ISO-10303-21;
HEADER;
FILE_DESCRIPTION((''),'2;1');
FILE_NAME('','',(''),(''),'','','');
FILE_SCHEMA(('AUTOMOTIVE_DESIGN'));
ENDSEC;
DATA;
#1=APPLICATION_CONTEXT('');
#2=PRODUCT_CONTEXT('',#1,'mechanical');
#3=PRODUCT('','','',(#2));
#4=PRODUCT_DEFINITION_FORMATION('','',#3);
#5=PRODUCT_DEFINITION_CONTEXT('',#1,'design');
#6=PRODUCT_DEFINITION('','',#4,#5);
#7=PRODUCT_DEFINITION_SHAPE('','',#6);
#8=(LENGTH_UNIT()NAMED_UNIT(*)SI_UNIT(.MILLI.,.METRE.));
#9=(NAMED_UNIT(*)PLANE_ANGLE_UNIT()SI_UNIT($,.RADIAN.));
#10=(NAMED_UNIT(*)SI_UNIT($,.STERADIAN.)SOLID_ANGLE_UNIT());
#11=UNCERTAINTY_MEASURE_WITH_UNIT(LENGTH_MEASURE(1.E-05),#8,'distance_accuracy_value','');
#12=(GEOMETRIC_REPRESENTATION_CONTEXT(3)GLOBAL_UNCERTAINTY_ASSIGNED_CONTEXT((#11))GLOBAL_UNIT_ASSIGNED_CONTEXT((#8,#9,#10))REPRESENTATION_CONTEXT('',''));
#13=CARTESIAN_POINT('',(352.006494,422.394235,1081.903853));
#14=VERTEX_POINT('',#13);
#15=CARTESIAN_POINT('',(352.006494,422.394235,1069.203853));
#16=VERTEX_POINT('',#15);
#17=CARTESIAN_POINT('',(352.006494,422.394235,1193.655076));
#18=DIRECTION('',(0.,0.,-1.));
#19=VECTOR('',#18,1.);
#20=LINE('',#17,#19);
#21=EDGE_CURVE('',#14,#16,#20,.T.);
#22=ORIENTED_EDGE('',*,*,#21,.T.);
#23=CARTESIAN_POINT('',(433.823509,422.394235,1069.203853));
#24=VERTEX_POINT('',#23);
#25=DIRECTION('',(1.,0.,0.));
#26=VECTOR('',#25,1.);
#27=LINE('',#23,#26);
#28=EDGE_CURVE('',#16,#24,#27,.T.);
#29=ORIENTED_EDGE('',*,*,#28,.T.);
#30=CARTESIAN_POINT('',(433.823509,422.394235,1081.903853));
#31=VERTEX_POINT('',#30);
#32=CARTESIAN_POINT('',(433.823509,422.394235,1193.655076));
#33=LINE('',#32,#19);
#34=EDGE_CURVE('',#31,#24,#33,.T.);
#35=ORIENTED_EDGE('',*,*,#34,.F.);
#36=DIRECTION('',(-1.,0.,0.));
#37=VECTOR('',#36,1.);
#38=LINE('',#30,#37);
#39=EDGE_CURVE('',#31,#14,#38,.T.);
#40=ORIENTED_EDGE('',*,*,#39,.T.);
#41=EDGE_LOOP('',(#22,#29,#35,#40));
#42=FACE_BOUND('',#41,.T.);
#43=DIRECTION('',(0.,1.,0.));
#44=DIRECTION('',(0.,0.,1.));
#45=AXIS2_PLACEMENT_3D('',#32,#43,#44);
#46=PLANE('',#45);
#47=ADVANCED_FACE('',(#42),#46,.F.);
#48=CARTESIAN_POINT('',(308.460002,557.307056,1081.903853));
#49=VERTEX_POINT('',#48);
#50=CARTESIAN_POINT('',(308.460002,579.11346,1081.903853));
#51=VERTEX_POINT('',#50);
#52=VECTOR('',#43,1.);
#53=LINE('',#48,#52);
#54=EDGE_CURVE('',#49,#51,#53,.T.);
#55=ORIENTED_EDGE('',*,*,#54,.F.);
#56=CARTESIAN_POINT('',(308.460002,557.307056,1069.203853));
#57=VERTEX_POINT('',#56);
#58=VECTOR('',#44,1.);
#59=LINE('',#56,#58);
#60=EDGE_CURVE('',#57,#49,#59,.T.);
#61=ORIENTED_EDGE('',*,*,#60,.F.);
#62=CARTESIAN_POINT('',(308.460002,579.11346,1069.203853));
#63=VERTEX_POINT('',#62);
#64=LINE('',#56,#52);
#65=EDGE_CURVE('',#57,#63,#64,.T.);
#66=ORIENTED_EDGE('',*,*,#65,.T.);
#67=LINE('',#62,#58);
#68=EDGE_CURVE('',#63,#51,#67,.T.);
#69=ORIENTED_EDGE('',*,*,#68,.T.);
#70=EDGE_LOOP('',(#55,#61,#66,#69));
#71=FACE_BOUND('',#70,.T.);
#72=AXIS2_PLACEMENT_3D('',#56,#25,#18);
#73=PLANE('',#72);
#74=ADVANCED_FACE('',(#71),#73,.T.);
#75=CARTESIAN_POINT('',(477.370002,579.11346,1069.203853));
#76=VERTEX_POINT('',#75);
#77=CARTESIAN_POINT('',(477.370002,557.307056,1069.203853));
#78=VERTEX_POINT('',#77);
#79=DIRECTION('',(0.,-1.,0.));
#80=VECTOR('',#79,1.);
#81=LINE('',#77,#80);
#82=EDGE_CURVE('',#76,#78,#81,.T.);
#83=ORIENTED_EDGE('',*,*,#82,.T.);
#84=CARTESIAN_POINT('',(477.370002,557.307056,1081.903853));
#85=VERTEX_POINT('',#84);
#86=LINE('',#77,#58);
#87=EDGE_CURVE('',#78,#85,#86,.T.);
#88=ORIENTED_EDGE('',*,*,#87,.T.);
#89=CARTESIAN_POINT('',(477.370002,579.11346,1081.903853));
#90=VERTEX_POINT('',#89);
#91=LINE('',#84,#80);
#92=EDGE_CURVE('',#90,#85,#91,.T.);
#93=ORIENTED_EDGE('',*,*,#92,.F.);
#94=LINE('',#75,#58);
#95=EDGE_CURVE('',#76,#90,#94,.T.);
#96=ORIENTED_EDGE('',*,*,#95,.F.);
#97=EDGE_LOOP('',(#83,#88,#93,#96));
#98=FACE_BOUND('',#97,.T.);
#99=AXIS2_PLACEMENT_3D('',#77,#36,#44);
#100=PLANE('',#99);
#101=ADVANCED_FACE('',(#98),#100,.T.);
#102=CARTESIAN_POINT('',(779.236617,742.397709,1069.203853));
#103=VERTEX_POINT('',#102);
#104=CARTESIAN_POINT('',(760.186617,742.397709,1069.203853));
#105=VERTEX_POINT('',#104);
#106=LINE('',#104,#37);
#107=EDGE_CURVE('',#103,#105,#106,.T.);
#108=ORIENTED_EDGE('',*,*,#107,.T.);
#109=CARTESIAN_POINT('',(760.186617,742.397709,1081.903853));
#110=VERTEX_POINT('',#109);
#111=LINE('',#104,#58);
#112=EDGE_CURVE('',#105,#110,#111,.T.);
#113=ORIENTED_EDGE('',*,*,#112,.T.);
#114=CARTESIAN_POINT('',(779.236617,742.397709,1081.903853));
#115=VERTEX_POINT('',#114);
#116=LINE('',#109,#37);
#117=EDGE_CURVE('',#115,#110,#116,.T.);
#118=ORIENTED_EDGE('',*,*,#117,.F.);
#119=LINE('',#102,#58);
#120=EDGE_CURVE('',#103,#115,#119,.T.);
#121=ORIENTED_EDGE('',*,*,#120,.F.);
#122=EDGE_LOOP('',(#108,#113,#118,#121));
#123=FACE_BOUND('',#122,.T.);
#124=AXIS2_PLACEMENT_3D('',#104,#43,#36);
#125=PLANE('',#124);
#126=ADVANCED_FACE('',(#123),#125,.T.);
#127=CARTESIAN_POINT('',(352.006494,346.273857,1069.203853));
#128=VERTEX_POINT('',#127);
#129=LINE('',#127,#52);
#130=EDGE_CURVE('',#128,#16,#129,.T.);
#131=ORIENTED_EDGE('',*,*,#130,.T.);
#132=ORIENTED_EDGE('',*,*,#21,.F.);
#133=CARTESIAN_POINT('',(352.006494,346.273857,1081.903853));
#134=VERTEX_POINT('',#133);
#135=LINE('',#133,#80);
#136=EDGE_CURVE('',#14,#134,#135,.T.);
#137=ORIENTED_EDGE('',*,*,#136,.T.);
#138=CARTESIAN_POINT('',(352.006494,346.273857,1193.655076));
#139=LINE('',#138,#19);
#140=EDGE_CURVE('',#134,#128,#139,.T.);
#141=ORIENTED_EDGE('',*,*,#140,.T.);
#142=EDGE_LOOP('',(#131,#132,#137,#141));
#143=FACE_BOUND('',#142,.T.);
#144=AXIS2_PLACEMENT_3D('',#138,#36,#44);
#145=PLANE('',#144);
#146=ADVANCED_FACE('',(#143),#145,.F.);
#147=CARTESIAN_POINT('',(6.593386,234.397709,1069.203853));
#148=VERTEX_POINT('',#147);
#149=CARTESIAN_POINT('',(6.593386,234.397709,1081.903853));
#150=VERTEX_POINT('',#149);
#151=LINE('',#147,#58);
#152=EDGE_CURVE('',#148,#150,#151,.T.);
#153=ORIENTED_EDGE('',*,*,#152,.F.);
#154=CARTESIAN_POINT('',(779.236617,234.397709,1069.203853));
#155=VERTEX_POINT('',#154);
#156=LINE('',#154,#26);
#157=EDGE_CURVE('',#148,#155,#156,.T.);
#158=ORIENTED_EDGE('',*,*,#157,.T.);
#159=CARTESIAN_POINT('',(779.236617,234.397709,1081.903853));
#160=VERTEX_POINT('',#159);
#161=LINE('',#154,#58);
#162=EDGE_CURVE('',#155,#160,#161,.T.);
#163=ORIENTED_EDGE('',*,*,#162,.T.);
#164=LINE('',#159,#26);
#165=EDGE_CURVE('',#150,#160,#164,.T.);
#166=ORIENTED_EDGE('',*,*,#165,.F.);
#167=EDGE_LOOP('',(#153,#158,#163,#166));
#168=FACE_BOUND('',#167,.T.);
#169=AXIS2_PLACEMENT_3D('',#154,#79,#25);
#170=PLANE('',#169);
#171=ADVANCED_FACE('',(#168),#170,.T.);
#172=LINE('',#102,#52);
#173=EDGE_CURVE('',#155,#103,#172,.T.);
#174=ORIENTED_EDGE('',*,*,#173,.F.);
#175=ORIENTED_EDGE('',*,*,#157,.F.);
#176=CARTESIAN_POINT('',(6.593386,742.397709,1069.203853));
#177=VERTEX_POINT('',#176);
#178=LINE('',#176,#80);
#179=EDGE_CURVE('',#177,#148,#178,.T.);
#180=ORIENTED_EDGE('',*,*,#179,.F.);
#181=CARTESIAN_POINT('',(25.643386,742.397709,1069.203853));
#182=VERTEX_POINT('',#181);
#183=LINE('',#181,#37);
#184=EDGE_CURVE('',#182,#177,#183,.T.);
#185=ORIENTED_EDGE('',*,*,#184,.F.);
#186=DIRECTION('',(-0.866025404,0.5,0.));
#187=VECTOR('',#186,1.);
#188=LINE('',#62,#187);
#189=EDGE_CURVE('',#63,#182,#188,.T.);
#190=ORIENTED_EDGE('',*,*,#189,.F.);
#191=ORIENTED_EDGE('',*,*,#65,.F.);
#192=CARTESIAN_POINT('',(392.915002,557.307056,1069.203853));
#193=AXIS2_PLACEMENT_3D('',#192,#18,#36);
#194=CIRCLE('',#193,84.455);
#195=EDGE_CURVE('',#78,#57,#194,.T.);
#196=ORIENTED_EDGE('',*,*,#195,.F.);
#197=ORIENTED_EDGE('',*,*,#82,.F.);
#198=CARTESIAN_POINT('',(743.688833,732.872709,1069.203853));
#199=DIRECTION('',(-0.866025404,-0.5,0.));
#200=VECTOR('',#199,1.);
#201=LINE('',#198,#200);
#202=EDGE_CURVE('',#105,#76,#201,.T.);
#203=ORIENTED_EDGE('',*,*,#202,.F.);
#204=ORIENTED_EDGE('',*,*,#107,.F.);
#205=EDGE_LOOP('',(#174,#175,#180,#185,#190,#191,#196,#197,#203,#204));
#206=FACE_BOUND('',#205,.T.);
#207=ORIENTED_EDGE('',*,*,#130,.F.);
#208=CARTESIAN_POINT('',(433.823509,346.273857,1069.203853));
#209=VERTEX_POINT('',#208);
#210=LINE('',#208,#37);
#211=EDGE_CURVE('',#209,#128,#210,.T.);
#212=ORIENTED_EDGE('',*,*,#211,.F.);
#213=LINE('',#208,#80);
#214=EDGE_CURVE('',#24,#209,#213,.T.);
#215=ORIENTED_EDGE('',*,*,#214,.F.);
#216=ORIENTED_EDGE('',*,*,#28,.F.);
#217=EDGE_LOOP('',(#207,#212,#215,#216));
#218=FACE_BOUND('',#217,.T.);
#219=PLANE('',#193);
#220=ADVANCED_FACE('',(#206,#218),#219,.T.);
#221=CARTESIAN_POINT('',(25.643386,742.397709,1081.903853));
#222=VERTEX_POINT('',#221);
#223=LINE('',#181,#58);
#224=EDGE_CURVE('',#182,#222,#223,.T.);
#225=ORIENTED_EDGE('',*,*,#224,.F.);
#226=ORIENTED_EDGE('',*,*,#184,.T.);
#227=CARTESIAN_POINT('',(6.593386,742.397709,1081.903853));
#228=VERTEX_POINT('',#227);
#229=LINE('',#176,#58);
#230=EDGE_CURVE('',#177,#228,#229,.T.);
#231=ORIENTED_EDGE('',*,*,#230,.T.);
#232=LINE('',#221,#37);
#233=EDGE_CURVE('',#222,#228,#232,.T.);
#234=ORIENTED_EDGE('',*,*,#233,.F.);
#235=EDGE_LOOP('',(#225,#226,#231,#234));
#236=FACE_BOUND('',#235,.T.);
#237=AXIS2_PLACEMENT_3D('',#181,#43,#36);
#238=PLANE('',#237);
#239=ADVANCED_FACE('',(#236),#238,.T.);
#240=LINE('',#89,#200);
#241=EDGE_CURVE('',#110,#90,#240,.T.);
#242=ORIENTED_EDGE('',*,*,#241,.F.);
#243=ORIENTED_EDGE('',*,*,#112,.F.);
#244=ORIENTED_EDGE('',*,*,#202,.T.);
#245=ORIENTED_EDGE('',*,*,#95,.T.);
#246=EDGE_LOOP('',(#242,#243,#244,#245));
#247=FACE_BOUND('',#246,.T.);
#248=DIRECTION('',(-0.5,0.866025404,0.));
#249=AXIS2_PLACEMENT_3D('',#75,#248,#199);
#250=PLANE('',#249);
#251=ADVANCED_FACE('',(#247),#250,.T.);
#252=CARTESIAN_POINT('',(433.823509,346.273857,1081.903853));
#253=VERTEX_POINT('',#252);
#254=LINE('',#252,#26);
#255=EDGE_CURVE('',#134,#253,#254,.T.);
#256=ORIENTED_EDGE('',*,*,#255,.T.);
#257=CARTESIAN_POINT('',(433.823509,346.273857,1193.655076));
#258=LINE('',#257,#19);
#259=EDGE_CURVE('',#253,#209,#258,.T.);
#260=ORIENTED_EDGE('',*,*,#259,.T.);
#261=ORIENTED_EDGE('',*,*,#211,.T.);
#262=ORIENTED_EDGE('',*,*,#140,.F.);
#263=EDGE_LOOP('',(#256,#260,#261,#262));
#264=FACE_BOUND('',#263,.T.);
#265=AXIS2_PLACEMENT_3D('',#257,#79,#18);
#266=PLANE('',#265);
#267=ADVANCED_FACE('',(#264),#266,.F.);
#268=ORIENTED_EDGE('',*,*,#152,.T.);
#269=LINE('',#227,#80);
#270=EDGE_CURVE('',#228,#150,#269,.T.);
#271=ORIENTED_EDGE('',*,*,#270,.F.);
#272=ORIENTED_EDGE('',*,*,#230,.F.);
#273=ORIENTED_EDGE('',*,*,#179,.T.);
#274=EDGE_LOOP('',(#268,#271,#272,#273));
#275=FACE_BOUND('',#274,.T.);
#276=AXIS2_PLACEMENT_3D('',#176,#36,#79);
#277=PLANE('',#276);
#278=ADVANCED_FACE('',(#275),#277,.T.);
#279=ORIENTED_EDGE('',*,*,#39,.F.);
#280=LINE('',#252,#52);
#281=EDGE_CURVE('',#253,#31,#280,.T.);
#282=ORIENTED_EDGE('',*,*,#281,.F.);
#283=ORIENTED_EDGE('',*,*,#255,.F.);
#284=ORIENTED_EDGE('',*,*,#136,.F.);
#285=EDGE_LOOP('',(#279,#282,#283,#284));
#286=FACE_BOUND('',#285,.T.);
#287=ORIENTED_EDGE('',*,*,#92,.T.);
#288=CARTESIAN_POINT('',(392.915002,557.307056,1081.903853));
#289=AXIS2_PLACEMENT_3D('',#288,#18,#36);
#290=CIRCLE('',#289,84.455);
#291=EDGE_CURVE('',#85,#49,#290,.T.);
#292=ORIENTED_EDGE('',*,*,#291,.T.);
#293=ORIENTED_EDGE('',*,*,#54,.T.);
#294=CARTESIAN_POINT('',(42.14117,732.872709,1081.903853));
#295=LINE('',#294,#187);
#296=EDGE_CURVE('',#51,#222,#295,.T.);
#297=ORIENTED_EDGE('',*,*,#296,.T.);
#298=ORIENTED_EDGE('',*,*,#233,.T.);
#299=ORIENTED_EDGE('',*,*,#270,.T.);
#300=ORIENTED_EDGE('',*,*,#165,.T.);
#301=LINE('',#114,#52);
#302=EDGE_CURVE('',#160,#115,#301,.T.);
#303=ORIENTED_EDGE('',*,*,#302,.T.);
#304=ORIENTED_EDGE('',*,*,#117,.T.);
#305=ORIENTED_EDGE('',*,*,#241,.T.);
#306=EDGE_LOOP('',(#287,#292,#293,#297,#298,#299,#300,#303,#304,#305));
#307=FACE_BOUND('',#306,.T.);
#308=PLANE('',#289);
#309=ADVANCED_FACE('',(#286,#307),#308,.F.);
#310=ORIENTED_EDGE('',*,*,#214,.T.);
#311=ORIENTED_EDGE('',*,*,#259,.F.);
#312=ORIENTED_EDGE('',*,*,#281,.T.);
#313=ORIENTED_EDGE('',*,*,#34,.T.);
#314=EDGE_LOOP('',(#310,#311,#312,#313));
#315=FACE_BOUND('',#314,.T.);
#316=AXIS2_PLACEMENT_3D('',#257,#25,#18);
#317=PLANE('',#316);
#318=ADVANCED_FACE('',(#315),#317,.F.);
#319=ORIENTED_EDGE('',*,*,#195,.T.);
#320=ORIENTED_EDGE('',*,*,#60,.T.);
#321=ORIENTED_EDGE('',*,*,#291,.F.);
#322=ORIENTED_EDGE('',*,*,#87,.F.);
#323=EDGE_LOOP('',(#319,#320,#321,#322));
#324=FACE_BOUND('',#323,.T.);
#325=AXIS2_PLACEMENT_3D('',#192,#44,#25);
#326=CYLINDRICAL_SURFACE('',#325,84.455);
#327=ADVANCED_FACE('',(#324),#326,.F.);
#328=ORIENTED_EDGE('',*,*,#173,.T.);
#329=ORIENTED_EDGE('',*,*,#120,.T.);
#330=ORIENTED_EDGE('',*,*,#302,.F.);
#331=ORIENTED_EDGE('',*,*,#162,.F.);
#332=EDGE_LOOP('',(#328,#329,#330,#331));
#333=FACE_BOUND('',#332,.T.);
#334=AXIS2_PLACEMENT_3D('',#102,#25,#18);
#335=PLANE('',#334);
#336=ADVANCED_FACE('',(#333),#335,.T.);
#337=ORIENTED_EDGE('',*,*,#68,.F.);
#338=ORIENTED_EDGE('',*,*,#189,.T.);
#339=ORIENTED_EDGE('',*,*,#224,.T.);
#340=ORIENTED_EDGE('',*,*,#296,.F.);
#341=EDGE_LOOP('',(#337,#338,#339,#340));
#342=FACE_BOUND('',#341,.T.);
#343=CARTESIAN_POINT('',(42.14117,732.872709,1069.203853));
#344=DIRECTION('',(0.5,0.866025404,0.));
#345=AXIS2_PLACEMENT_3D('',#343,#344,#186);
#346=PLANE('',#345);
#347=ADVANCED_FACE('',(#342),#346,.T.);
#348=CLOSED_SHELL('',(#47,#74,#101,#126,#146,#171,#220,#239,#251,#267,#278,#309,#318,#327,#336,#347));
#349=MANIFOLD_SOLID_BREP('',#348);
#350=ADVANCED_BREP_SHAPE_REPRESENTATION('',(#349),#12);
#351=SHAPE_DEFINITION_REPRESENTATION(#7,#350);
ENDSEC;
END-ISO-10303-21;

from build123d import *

# Parameters (mm, degrees)
BOSS_EXTRUDE1_DEPTH = 12.7
SKETCH7_W           = 81.817014572
SKETCH7_H           = 76.120378059
CUT_EXTRUDE5_DEPTH  = 12.7


with BuildPart() as part:
    # Sketch1 → Boss-Extrude1 (new body)
    with BuildSketch(Plane.XY.offset(1081.90385267)):
        with BuildLine():
            Line((477.370001613, 579.113460481), (743.688832794, 732.872709354))
            Line((743.688832794, 732.872709354), (760.186616736, 742.397709354))
            Line((760.186616736, 742.397709354), (779.236616736, 742.397709354))
            Line((779.236616736, 742.397709354), (779.236616736, 234.397709354))
            Line((779.236616736, 234.397709354), (6.593386489, 234.397709354))
            Line((6.593386489, 234.397709354), (6.593386489, 742.397709354))
            Line((6.593386489, 742.397709354), (25.643386489, 742.397709354))
            Line((25.643386489, 742.397709354), (42.141170431, 732.872709354))
            Line((42.141170431, 732.872709354), (308.460001613, 579.113460481))
            Line((308.460001613, 579.113460481), (308.460001613, 557.307056284))
            ThreePointArc((308.460001613, 557.307056284), (392.915001613, 472.852056284), (477.370001613, 557.307056284))
            Line((477.370001613, 557.307056284), (477.370001613, 579.113460481))
        make_face()
    extrude(amount=-BOSS_EXTRUDE1_DEPTH)

    # Sketch7 → Cut-Extrude5 (cut)
    with BuildSketch(Plane(origin=(0, 0, 1069.20385267), x_dir=(-1, 0, 0), z_dir=(0, 0, -1))):
        with Locations((-392.915001613, 384.334045895)):
            Rectangle(SKETCH7_W, SKETCH7_H)
    extrude(amount=-CUT_EXTRUDE5_DEPTH, mode=Mode.SUBTRACT)


solid = part.part
